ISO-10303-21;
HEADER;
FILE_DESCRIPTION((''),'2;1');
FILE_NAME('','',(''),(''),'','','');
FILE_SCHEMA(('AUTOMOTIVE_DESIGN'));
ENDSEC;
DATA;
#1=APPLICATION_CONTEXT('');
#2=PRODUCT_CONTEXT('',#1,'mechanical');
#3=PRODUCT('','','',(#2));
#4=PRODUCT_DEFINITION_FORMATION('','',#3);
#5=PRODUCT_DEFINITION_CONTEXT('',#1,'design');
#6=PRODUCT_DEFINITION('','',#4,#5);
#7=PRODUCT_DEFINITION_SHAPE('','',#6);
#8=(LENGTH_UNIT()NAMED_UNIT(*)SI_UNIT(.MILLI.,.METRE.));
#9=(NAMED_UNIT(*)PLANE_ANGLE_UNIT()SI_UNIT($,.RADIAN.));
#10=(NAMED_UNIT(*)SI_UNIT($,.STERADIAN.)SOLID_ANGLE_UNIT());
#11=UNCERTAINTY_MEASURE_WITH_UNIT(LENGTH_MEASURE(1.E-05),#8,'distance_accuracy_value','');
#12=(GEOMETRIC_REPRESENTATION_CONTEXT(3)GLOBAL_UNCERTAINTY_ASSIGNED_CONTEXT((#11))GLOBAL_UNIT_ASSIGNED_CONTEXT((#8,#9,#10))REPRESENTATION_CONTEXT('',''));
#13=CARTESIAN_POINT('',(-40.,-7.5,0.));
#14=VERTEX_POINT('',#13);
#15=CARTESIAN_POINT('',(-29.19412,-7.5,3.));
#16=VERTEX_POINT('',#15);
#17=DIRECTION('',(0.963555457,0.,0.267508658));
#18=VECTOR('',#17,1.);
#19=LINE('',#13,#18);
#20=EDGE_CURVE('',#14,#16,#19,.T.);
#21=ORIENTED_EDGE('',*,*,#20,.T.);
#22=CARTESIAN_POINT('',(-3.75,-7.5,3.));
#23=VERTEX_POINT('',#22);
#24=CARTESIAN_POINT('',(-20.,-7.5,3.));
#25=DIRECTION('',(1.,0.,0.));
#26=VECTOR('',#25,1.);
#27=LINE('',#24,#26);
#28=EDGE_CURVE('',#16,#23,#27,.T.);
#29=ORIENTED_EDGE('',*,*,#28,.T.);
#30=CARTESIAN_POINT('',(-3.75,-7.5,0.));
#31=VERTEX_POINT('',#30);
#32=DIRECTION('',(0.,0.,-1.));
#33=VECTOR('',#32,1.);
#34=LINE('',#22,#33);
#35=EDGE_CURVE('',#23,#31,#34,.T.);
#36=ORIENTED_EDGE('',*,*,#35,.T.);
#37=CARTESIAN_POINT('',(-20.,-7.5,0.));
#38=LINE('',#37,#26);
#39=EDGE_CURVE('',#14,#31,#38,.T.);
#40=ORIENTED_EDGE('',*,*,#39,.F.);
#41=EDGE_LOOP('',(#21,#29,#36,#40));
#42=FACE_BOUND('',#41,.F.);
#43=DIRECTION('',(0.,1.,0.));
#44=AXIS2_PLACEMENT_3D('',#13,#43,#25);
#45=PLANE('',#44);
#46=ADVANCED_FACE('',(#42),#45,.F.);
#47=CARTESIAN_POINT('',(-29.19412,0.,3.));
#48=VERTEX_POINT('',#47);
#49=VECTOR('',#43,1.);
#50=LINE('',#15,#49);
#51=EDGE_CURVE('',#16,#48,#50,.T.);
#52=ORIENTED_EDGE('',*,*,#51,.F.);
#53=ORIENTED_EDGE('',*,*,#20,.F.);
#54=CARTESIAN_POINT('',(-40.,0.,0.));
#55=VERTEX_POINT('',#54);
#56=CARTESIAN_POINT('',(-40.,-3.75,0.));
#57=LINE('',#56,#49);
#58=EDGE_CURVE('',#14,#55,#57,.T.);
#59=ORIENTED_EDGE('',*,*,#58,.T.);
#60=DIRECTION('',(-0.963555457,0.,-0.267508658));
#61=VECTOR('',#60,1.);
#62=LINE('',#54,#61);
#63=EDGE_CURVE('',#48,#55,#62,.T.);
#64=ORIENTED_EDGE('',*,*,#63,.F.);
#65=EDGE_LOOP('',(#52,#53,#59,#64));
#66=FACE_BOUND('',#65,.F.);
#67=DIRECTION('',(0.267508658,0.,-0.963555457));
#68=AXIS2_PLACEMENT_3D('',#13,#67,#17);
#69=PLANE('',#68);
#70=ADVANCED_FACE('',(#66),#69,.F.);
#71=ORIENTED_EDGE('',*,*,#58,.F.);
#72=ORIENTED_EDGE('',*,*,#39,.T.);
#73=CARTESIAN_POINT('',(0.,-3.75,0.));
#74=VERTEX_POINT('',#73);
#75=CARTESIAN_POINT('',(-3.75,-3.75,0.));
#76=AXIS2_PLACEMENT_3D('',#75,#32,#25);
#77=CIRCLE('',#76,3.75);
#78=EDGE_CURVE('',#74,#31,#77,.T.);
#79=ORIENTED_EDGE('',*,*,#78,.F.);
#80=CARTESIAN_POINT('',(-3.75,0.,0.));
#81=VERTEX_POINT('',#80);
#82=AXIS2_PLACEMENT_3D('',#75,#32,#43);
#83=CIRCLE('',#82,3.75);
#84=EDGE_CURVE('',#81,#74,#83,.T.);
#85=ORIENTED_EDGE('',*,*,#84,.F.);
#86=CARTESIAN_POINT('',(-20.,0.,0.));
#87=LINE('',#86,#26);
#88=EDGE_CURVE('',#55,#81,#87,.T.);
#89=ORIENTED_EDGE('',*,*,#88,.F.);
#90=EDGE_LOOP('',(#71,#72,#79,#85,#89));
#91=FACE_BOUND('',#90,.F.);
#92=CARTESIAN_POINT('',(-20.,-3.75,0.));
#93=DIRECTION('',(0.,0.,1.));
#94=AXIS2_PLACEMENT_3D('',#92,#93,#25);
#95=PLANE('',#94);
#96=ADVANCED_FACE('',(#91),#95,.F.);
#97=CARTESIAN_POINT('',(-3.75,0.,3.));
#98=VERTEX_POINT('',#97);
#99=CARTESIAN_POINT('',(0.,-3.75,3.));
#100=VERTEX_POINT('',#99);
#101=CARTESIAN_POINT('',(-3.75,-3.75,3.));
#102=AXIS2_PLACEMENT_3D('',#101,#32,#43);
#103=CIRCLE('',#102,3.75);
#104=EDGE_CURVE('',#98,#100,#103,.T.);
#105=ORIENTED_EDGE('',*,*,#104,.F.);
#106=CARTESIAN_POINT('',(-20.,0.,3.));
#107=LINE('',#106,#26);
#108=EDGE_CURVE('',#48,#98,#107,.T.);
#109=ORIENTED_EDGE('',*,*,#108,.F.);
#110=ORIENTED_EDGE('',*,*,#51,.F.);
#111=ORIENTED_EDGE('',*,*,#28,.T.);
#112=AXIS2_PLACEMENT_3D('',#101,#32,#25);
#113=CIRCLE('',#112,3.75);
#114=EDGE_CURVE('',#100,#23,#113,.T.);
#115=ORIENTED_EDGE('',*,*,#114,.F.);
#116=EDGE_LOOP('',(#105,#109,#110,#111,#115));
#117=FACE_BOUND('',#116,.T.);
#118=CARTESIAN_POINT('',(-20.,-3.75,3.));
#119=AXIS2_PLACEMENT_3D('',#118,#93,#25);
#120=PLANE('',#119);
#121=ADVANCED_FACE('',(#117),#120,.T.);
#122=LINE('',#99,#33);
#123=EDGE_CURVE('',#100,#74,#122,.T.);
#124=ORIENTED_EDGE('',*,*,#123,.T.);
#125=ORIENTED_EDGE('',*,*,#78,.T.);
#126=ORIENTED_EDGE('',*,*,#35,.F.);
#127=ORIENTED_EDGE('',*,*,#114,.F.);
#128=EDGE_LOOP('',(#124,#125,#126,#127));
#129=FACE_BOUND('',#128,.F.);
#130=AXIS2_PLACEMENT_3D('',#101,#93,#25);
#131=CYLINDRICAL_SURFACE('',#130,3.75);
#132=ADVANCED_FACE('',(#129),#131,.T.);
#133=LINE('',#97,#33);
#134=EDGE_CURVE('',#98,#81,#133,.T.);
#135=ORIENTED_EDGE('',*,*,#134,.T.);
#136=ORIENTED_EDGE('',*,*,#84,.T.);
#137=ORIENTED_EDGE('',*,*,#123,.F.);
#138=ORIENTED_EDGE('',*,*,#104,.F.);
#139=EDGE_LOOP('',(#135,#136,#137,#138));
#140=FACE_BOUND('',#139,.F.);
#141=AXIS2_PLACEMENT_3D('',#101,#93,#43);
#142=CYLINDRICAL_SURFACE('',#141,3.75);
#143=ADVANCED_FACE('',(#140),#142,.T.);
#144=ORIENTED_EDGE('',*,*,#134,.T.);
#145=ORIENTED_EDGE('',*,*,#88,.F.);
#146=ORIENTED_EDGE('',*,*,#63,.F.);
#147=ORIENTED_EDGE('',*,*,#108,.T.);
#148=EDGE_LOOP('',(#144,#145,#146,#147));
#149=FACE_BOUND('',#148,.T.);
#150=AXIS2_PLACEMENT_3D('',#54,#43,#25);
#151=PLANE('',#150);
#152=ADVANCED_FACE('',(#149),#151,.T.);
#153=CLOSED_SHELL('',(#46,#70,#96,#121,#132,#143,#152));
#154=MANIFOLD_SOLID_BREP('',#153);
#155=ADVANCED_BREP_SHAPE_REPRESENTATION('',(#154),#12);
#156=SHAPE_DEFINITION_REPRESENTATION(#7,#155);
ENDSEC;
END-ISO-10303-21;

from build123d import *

# Parameters (mm, degrees)
F0_W     = 40
F0_H     = 7.5
F1_DEPTH = 3
F3_DEPTH = 10
F5_DEPTH = 3


with BuildPart() as f1:
    # F0 (on Top) → F1 (new body)
    with BuildSketch(Plane.XY):
        with Locations((-20, -3.75)):
            Rectangle(F0_W, F0_H)
    extrude(amount=F1_DEPTH)

    # F2 (on face) → F3 (cut)
    with BuildSketch(Plane.XZ.offset(7.5)):
        Polygon((-40, 3), (-40, 0), (-29.1941203177, 3), align=None)
    extrude(amount=-F3_DEPTH, mode=Mode.SUBTRACT)

    # F4 (on face) → F5 (cut)
    with BuildSketch(Plane.XY.offset(3)):
        with BuildLine():
            ThreePointArc((-3.75, 0), (-1.0983495706, -1.0983495706), (0, -3.75))
            Line((0, -3.75), (0, 0))
            Line((0, 0), (-3.75, 0))
        make_face()
        with BuildLine():
            Line((0, -7.5), (0, -3.75))
            ThreePointArc((0, -3.75), (-1.0983495706, -6.4016504294), (-3.75, -7.5))
            Line((-3.75, -7.5), (0, -7.5))
        make_face()
    extrude(amount=-F5_DEPTH, mode=Mode.SUBTRACT)


solid = f1.part
